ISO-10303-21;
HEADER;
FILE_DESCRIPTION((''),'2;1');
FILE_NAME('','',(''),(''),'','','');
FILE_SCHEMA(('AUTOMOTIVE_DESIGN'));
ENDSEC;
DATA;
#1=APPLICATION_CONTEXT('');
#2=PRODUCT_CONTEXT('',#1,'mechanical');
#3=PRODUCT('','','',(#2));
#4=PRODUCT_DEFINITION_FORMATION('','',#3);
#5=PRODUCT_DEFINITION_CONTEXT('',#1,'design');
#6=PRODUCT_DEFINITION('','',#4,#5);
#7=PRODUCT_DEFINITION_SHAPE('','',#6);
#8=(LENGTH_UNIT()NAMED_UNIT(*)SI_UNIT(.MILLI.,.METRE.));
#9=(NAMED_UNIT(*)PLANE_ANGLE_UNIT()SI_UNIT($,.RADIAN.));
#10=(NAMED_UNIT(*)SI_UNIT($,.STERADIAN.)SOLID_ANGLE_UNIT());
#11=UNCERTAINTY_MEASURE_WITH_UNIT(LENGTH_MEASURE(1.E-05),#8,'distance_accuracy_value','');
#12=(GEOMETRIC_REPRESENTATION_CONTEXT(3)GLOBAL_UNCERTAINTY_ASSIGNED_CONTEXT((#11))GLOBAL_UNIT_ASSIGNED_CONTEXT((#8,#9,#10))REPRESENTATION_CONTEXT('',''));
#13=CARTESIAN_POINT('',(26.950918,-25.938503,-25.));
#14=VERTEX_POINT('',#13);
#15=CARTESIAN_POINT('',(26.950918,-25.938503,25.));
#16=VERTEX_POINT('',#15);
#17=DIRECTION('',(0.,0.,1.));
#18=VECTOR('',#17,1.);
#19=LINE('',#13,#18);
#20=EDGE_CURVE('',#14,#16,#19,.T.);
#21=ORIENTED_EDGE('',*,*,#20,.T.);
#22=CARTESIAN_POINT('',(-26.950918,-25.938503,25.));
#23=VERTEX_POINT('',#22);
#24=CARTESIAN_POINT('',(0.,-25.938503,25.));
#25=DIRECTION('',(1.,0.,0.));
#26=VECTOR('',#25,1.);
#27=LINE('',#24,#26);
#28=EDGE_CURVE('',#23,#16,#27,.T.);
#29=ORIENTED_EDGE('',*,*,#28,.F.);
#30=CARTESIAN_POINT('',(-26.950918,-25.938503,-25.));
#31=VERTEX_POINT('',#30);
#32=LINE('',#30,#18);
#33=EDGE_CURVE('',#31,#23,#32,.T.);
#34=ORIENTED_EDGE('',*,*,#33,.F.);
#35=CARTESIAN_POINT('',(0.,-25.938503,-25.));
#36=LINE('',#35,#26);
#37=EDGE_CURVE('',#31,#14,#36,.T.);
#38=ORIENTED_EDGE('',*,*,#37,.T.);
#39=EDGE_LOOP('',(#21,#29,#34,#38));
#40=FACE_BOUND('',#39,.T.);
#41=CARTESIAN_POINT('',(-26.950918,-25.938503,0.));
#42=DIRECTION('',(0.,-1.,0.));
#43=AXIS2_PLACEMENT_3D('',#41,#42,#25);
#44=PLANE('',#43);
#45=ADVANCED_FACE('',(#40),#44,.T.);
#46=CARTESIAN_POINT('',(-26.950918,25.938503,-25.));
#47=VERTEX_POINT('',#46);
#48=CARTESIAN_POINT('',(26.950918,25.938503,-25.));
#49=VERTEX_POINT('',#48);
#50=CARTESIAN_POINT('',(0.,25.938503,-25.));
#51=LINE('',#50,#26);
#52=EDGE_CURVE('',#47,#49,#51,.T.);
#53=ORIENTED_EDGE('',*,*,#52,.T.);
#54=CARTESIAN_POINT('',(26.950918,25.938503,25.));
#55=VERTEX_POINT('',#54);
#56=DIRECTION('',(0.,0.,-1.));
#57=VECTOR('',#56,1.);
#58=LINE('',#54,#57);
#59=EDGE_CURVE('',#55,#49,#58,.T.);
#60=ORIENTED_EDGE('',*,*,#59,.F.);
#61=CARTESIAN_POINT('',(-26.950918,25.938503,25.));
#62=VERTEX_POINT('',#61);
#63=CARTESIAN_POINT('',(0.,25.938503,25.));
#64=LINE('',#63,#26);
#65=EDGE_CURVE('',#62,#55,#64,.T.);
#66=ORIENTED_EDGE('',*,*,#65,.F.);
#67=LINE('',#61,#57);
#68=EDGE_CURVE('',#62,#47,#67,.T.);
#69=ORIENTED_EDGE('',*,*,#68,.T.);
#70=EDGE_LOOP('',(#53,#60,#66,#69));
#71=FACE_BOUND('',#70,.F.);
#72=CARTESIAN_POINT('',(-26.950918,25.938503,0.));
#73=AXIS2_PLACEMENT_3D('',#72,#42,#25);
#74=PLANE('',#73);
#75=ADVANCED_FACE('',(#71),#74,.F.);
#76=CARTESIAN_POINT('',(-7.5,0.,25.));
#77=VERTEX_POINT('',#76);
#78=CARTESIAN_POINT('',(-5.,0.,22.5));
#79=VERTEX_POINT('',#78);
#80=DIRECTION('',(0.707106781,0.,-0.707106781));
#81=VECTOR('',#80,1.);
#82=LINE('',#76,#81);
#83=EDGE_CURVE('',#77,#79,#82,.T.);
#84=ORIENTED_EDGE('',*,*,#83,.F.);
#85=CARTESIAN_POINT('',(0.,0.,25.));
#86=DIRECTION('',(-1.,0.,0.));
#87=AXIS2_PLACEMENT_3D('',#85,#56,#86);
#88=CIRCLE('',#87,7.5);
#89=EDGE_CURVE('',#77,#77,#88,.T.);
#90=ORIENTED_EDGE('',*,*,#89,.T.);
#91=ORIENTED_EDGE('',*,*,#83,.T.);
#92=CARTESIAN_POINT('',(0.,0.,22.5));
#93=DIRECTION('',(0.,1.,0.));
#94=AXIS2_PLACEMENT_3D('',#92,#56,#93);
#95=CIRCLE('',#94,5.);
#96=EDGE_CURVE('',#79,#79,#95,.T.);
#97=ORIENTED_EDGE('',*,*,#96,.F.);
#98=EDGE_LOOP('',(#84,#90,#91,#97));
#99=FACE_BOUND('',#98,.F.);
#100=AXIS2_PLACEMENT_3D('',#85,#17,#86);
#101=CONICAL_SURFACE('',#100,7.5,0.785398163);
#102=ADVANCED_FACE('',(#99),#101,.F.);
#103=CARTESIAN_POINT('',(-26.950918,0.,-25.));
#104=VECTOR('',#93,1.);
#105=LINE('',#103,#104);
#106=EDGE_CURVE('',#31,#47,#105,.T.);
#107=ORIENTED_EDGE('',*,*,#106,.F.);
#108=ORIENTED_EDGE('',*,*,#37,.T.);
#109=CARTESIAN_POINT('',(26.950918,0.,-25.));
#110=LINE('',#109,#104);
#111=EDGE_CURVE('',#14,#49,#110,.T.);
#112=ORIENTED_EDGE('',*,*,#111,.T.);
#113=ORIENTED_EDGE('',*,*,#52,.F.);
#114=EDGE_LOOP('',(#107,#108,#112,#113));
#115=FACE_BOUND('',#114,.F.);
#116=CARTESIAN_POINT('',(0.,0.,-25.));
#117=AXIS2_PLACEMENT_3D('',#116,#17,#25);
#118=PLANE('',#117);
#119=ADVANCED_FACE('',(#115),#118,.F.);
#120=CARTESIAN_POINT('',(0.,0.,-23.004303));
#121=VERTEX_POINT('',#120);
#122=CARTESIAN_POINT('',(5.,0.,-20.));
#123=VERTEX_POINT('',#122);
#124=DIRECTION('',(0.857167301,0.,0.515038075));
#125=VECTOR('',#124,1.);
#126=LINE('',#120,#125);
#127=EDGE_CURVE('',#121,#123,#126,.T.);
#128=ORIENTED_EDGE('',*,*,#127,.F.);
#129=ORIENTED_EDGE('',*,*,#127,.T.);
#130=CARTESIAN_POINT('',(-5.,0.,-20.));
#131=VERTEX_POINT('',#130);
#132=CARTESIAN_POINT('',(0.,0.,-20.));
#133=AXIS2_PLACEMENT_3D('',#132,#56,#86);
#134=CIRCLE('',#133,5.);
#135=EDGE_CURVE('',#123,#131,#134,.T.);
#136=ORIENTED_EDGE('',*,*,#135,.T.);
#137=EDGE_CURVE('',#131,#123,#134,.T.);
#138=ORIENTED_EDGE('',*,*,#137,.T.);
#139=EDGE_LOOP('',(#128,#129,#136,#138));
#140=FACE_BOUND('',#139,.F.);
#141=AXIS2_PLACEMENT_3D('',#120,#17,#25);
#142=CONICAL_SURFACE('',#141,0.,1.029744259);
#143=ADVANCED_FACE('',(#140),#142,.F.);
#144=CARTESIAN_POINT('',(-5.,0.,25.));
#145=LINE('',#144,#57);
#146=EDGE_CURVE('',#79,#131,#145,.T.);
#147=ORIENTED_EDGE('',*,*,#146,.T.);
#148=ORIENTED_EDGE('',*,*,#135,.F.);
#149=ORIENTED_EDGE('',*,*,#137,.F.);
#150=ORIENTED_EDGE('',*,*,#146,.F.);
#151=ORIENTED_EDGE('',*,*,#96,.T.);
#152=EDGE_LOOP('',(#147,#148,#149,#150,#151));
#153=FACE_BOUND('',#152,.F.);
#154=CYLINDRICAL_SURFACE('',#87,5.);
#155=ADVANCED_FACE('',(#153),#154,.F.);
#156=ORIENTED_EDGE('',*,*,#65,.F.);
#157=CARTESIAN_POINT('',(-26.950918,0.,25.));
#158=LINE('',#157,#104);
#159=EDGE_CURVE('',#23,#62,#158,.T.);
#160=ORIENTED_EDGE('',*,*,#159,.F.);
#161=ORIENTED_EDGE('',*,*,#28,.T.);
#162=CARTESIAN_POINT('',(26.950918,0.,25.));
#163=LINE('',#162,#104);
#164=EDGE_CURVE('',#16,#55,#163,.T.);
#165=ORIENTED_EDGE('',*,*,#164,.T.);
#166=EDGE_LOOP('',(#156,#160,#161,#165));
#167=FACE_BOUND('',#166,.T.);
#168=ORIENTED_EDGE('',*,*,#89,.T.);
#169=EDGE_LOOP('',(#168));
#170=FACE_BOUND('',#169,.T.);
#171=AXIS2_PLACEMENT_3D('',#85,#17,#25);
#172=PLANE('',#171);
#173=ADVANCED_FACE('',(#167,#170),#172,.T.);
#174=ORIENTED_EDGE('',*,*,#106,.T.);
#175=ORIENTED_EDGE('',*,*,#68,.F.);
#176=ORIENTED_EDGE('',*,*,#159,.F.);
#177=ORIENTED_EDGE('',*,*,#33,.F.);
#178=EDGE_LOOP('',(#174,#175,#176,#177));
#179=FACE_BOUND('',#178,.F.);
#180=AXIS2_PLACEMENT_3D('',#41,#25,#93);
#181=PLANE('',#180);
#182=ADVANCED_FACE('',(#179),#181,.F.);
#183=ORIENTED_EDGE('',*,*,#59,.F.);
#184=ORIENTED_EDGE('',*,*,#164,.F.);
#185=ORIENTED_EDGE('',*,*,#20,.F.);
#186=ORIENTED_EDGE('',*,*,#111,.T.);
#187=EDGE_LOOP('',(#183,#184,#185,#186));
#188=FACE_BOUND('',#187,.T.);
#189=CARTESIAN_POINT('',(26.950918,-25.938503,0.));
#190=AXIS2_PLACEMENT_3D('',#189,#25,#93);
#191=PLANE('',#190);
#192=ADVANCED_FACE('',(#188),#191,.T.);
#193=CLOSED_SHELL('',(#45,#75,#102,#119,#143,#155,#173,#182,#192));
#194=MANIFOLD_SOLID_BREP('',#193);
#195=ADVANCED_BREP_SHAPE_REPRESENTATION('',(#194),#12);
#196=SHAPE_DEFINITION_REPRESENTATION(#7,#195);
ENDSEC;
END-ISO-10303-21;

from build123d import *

# Parameters (mm, degrees)
F0_W           = 53.9018362761
F0_H           = 51.8770068884
F1_DEPTH       = 25
F3_D           = 10
F3_DEPTH       = 45
F3_CSINK_D     = 15
F3_CSINK_ANGLE = 90
F3_TIP         = 3.0043030951


with BuildPart() as f1:
    # F0 (on Top) → F1 (new body, symmetric)
    with BuildSketch(Plane.XY):
        Rectangle(F0_W, F0_H)
    extrude(amount=F1_DEPTH, both=True)

    # F3
    with Locations(Plane.XY.offset(25)):
        with Locations((0, 0)):
            CounterSinkHole(F3_D / 2, F3_CSINK_D / 2, depth=F3_DEPTH, counter_sink_angle=F3_CSINK_ANGLE)
            with Locations((0, 0, -(F3_DEPTH + F3_TIP / 2))):  # 118° drill point
                Cone(0, F3_D / 2, F3_TIP, mode=Mode.SUBTRACT)


solid = f1.part
